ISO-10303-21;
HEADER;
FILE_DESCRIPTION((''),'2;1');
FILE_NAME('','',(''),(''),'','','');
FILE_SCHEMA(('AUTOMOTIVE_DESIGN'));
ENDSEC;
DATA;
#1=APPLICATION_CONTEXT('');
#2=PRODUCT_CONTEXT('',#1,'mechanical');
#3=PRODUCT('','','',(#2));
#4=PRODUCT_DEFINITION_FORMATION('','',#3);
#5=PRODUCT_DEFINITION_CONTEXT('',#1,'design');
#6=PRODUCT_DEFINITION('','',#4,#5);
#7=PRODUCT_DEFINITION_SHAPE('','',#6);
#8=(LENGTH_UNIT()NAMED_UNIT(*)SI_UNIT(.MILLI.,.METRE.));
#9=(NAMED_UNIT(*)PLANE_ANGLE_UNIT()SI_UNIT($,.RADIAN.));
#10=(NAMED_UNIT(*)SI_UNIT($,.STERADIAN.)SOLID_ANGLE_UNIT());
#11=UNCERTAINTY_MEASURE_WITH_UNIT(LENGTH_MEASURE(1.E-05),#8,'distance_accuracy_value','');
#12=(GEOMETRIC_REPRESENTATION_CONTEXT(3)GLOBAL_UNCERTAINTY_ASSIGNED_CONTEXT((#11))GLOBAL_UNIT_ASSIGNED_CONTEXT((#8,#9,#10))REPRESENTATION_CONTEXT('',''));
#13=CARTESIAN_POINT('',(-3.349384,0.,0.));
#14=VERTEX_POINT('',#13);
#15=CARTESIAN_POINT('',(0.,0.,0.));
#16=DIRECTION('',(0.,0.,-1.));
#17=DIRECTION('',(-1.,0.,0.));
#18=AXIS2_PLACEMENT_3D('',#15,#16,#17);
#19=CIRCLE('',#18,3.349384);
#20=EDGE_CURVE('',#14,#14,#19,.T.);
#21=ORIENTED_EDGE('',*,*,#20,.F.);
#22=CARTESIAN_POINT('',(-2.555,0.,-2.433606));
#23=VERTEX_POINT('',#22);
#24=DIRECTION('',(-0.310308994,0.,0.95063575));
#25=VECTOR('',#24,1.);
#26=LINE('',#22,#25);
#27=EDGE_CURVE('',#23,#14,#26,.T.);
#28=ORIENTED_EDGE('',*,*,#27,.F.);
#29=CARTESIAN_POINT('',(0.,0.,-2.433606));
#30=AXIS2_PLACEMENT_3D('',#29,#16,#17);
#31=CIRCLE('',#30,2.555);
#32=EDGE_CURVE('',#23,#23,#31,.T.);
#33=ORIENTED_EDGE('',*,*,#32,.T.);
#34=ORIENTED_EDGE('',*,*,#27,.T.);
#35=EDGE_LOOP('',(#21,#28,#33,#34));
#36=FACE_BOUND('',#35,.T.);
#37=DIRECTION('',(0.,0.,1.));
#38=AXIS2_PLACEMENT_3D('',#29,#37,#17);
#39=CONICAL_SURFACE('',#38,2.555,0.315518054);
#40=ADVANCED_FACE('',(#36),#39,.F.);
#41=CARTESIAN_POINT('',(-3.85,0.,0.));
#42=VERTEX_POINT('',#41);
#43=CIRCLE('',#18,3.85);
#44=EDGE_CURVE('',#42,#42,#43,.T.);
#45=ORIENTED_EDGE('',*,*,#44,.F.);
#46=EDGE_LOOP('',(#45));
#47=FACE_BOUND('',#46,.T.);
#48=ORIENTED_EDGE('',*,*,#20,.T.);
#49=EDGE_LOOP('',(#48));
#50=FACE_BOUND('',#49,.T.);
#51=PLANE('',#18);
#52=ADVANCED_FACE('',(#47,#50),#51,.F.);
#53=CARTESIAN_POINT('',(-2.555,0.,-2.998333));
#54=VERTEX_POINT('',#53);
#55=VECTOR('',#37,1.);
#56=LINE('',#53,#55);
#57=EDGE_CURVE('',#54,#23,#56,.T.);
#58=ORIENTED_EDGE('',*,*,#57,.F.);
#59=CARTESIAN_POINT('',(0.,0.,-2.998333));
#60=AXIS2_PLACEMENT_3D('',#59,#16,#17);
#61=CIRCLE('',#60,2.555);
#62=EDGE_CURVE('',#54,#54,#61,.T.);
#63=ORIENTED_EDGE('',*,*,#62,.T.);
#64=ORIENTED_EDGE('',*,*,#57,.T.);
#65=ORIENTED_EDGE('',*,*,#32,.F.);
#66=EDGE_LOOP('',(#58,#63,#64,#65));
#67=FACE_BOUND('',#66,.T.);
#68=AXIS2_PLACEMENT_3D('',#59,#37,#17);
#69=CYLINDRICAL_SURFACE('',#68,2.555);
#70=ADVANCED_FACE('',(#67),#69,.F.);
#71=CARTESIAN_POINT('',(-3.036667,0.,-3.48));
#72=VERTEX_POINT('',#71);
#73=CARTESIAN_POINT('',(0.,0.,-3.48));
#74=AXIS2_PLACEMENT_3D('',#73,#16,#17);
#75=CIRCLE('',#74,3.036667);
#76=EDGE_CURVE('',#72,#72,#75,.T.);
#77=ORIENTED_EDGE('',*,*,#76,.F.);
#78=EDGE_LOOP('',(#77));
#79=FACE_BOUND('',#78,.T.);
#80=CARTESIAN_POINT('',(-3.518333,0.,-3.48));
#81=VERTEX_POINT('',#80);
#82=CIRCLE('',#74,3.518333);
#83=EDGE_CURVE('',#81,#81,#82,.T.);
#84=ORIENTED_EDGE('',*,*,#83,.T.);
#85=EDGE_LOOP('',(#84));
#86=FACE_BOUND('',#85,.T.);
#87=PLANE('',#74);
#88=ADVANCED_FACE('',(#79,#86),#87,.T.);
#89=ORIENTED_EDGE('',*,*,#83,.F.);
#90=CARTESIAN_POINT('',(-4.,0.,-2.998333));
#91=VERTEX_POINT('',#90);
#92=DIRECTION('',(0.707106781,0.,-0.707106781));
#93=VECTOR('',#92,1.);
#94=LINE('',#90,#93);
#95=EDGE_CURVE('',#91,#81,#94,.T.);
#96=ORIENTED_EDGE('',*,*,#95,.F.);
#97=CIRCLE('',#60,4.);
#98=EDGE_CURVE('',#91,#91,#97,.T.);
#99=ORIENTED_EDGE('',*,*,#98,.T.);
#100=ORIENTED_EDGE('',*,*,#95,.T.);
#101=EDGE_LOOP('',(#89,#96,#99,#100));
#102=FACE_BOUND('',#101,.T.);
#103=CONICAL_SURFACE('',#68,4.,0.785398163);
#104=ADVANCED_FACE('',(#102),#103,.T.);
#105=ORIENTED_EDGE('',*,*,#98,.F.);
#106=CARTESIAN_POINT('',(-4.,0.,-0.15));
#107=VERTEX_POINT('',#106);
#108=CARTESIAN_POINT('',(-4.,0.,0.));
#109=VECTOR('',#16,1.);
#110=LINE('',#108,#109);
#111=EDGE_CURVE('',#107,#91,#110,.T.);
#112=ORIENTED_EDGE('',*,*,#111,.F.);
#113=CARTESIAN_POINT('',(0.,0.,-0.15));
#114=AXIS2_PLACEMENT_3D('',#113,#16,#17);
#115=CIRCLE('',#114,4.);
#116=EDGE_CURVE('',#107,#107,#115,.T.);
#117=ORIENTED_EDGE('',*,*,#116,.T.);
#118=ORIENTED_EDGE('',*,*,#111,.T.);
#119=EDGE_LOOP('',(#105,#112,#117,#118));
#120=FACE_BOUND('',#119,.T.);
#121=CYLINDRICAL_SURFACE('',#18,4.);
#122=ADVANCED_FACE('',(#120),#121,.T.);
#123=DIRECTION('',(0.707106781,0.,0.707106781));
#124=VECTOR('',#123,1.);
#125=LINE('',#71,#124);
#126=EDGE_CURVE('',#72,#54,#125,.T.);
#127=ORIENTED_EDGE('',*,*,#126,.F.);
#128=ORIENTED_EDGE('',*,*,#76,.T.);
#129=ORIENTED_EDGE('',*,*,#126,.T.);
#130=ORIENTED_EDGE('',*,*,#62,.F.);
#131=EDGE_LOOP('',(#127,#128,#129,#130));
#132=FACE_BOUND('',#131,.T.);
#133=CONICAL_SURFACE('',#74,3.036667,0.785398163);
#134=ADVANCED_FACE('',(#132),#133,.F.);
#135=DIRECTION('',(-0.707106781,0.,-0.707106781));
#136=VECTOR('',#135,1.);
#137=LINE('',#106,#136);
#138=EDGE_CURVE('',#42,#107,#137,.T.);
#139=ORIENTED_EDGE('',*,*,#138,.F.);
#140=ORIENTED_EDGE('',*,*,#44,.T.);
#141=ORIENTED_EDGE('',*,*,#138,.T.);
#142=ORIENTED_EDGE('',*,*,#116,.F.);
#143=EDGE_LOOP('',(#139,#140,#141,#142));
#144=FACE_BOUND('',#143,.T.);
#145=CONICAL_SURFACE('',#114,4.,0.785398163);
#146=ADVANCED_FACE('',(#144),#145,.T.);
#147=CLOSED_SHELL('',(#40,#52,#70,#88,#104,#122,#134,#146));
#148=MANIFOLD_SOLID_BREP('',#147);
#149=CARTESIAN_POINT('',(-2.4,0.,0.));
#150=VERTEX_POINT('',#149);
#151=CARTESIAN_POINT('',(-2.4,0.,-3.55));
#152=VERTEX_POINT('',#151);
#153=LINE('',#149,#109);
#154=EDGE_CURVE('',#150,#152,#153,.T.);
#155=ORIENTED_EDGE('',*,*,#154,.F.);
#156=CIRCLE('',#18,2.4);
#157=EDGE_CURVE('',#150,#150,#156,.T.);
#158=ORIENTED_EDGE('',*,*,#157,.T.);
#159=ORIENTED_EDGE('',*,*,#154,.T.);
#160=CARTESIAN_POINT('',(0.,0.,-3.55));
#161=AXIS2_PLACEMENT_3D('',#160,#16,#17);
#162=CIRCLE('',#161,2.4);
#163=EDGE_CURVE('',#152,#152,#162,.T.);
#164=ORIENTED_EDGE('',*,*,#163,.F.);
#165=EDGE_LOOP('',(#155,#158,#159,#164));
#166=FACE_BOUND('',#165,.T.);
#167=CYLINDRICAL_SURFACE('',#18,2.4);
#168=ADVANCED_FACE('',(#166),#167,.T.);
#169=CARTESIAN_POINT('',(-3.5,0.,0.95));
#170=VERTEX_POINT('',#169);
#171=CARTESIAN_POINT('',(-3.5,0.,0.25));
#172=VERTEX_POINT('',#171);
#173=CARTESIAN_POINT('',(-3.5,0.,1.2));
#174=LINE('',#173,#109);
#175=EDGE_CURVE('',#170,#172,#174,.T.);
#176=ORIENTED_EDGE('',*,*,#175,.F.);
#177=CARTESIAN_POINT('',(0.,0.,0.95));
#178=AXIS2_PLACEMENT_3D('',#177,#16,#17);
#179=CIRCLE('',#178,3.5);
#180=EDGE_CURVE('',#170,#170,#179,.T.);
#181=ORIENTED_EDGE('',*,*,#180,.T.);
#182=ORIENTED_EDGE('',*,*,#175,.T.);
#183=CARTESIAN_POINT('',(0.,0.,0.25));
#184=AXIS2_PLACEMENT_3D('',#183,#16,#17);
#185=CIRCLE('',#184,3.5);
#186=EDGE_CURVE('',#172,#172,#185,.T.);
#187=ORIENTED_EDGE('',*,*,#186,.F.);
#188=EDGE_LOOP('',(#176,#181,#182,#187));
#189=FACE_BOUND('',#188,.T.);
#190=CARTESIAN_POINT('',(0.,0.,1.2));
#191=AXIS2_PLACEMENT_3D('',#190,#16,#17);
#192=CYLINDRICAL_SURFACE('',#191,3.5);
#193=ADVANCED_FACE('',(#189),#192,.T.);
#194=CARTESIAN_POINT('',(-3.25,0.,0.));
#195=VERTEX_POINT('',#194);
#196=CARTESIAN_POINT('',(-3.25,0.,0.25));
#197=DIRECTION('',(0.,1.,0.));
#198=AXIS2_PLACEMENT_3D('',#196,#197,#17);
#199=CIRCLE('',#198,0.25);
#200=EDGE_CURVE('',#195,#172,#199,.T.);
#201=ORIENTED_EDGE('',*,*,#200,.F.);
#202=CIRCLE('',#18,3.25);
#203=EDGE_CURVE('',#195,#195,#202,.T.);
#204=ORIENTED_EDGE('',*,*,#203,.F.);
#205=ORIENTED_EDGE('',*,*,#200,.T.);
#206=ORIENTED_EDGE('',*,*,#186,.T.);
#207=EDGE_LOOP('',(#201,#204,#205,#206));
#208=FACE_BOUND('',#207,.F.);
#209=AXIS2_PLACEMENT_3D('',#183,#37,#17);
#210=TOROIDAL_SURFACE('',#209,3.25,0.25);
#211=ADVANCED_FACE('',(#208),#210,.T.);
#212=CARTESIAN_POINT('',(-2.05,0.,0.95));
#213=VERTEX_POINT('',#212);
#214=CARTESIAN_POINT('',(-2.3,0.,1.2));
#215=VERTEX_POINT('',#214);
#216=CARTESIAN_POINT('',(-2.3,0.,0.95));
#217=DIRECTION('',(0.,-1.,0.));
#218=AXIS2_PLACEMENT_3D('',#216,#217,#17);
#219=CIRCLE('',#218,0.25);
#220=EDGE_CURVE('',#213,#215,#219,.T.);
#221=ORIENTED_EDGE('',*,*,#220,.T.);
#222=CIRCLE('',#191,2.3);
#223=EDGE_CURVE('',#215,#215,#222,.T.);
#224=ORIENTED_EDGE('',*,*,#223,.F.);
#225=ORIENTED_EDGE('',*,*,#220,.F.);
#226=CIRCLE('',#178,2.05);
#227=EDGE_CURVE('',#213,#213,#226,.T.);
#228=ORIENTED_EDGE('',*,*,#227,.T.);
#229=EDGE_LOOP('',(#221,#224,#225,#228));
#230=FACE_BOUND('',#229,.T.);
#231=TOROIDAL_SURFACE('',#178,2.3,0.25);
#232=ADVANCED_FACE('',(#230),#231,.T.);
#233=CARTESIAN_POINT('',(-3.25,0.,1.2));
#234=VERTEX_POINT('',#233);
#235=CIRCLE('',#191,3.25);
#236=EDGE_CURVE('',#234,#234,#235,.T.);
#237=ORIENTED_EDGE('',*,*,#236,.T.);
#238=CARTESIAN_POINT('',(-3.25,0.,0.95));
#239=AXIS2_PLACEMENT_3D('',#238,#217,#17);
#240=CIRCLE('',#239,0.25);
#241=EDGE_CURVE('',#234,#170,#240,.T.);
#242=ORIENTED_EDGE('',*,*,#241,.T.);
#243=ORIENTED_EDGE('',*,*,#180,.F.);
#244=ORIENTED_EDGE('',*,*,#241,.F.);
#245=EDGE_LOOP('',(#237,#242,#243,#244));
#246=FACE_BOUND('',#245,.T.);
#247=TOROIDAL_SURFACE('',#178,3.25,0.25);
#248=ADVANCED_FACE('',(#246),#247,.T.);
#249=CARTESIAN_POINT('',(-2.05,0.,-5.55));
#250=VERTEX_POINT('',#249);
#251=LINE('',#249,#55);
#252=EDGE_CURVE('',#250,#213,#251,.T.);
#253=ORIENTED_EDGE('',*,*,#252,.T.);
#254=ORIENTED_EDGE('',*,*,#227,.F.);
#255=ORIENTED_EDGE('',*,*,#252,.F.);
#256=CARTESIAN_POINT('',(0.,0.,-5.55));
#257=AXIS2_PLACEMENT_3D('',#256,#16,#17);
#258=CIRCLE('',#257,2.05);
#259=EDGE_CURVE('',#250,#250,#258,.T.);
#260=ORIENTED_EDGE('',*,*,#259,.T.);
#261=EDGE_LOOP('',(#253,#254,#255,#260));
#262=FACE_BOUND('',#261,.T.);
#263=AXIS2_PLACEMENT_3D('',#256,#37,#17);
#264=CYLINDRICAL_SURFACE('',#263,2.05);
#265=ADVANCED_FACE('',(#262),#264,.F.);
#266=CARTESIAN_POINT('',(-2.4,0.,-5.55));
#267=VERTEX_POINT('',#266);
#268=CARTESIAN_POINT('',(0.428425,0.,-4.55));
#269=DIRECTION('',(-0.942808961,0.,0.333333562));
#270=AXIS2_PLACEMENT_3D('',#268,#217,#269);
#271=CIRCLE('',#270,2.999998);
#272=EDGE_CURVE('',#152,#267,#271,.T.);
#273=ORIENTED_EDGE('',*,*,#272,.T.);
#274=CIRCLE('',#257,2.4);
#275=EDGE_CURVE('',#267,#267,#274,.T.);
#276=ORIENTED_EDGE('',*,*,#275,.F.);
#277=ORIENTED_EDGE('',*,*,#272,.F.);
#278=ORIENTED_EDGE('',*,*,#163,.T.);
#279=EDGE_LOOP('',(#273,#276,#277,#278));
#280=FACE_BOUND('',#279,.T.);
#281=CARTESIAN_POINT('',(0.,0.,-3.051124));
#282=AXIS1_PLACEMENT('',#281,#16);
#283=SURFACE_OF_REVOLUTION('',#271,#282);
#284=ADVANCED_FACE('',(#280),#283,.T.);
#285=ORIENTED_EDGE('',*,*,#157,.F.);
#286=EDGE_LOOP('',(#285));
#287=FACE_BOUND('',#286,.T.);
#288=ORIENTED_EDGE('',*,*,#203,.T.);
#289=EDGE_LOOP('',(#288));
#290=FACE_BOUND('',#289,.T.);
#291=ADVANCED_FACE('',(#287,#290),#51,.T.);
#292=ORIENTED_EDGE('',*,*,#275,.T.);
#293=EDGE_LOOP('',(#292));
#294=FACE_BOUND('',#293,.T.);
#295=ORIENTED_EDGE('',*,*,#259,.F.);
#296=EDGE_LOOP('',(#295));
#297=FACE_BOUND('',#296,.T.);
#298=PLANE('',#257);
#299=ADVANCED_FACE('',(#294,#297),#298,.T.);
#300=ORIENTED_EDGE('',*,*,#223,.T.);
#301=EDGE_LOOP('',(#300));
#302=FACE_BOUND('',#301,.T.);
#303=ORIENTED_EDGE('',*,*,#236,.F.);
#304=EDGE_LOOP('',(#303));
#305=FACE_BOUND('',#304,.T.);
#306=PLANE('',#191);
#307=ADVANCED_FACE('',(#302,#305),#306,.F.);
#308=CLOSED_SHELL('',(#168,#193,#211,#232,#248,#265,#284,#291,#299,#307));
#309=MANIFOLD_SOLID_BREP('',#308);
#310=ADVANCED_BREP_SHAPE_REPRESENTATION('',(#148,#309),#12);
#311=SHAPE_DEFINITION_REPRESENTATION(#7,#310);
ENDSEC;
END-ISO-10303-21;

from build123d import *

# Parameters (mm, degrees)
F2_SIZE = 0.15
F5_R    = 0.25


with BuildPart() as f1:
    # F0 (on Front) → F1 (revolve)
    with BuildSketch(Plane.XZ):
        Polygon((-2.555, -2.433606), (-3.349384, 0), (-4, 0), (-4, -2.998333), (-3.518333, -3.48), (-3.036667, -3.48), (-2.555, -2.998333), align=None)
    revolve(axis=Axis((0, 0, -2.45793), (0, 0, -1)))

    # F2
    f2_edges = [f1.edges().sort_by_distance(p)[0] for p in [
        (4, 0, 0),
    ]]
    chamfer(f2_edges, length=F2_SIZE)


with BuildPart() as f4:
    # F3 (on Front) → F4 (revolve)
    with BuildSketch(Plane.XZ):
        with BuildLine():
            Line((-3.5, 0), (-2.4, 0))
            Line((-2.4, 0), (-2.4, -3.55))
            ThreePointArc((-2.4, -3.55), (-2.571573, -4.55), (-2.4, -5.55))
            Line((-2.4, -5.55), (-2.05, -5.55))
            Line((-2.05, -5.55), (-2.05, 1.2))
            Line((-2.05, 1.2), (-3.5, 1.2))
            Line((-3.5, 1.2), (-3.5, 0))
        make_face()
    revolve(axis=Axis((0, 0, -3.051124), (0, 0, -1)))

    # F5
    f5_edges = [f4.edges().sort_by_distance(p)[0] for p in [
        (3.5, 0, 1.2),
        (3.5, 0, 0),
        (2.05, 0, 1.2),
    ]]
    fillet(f5_edges, radius=F5_R)


solid = Compound([f1.part, f4.part])
